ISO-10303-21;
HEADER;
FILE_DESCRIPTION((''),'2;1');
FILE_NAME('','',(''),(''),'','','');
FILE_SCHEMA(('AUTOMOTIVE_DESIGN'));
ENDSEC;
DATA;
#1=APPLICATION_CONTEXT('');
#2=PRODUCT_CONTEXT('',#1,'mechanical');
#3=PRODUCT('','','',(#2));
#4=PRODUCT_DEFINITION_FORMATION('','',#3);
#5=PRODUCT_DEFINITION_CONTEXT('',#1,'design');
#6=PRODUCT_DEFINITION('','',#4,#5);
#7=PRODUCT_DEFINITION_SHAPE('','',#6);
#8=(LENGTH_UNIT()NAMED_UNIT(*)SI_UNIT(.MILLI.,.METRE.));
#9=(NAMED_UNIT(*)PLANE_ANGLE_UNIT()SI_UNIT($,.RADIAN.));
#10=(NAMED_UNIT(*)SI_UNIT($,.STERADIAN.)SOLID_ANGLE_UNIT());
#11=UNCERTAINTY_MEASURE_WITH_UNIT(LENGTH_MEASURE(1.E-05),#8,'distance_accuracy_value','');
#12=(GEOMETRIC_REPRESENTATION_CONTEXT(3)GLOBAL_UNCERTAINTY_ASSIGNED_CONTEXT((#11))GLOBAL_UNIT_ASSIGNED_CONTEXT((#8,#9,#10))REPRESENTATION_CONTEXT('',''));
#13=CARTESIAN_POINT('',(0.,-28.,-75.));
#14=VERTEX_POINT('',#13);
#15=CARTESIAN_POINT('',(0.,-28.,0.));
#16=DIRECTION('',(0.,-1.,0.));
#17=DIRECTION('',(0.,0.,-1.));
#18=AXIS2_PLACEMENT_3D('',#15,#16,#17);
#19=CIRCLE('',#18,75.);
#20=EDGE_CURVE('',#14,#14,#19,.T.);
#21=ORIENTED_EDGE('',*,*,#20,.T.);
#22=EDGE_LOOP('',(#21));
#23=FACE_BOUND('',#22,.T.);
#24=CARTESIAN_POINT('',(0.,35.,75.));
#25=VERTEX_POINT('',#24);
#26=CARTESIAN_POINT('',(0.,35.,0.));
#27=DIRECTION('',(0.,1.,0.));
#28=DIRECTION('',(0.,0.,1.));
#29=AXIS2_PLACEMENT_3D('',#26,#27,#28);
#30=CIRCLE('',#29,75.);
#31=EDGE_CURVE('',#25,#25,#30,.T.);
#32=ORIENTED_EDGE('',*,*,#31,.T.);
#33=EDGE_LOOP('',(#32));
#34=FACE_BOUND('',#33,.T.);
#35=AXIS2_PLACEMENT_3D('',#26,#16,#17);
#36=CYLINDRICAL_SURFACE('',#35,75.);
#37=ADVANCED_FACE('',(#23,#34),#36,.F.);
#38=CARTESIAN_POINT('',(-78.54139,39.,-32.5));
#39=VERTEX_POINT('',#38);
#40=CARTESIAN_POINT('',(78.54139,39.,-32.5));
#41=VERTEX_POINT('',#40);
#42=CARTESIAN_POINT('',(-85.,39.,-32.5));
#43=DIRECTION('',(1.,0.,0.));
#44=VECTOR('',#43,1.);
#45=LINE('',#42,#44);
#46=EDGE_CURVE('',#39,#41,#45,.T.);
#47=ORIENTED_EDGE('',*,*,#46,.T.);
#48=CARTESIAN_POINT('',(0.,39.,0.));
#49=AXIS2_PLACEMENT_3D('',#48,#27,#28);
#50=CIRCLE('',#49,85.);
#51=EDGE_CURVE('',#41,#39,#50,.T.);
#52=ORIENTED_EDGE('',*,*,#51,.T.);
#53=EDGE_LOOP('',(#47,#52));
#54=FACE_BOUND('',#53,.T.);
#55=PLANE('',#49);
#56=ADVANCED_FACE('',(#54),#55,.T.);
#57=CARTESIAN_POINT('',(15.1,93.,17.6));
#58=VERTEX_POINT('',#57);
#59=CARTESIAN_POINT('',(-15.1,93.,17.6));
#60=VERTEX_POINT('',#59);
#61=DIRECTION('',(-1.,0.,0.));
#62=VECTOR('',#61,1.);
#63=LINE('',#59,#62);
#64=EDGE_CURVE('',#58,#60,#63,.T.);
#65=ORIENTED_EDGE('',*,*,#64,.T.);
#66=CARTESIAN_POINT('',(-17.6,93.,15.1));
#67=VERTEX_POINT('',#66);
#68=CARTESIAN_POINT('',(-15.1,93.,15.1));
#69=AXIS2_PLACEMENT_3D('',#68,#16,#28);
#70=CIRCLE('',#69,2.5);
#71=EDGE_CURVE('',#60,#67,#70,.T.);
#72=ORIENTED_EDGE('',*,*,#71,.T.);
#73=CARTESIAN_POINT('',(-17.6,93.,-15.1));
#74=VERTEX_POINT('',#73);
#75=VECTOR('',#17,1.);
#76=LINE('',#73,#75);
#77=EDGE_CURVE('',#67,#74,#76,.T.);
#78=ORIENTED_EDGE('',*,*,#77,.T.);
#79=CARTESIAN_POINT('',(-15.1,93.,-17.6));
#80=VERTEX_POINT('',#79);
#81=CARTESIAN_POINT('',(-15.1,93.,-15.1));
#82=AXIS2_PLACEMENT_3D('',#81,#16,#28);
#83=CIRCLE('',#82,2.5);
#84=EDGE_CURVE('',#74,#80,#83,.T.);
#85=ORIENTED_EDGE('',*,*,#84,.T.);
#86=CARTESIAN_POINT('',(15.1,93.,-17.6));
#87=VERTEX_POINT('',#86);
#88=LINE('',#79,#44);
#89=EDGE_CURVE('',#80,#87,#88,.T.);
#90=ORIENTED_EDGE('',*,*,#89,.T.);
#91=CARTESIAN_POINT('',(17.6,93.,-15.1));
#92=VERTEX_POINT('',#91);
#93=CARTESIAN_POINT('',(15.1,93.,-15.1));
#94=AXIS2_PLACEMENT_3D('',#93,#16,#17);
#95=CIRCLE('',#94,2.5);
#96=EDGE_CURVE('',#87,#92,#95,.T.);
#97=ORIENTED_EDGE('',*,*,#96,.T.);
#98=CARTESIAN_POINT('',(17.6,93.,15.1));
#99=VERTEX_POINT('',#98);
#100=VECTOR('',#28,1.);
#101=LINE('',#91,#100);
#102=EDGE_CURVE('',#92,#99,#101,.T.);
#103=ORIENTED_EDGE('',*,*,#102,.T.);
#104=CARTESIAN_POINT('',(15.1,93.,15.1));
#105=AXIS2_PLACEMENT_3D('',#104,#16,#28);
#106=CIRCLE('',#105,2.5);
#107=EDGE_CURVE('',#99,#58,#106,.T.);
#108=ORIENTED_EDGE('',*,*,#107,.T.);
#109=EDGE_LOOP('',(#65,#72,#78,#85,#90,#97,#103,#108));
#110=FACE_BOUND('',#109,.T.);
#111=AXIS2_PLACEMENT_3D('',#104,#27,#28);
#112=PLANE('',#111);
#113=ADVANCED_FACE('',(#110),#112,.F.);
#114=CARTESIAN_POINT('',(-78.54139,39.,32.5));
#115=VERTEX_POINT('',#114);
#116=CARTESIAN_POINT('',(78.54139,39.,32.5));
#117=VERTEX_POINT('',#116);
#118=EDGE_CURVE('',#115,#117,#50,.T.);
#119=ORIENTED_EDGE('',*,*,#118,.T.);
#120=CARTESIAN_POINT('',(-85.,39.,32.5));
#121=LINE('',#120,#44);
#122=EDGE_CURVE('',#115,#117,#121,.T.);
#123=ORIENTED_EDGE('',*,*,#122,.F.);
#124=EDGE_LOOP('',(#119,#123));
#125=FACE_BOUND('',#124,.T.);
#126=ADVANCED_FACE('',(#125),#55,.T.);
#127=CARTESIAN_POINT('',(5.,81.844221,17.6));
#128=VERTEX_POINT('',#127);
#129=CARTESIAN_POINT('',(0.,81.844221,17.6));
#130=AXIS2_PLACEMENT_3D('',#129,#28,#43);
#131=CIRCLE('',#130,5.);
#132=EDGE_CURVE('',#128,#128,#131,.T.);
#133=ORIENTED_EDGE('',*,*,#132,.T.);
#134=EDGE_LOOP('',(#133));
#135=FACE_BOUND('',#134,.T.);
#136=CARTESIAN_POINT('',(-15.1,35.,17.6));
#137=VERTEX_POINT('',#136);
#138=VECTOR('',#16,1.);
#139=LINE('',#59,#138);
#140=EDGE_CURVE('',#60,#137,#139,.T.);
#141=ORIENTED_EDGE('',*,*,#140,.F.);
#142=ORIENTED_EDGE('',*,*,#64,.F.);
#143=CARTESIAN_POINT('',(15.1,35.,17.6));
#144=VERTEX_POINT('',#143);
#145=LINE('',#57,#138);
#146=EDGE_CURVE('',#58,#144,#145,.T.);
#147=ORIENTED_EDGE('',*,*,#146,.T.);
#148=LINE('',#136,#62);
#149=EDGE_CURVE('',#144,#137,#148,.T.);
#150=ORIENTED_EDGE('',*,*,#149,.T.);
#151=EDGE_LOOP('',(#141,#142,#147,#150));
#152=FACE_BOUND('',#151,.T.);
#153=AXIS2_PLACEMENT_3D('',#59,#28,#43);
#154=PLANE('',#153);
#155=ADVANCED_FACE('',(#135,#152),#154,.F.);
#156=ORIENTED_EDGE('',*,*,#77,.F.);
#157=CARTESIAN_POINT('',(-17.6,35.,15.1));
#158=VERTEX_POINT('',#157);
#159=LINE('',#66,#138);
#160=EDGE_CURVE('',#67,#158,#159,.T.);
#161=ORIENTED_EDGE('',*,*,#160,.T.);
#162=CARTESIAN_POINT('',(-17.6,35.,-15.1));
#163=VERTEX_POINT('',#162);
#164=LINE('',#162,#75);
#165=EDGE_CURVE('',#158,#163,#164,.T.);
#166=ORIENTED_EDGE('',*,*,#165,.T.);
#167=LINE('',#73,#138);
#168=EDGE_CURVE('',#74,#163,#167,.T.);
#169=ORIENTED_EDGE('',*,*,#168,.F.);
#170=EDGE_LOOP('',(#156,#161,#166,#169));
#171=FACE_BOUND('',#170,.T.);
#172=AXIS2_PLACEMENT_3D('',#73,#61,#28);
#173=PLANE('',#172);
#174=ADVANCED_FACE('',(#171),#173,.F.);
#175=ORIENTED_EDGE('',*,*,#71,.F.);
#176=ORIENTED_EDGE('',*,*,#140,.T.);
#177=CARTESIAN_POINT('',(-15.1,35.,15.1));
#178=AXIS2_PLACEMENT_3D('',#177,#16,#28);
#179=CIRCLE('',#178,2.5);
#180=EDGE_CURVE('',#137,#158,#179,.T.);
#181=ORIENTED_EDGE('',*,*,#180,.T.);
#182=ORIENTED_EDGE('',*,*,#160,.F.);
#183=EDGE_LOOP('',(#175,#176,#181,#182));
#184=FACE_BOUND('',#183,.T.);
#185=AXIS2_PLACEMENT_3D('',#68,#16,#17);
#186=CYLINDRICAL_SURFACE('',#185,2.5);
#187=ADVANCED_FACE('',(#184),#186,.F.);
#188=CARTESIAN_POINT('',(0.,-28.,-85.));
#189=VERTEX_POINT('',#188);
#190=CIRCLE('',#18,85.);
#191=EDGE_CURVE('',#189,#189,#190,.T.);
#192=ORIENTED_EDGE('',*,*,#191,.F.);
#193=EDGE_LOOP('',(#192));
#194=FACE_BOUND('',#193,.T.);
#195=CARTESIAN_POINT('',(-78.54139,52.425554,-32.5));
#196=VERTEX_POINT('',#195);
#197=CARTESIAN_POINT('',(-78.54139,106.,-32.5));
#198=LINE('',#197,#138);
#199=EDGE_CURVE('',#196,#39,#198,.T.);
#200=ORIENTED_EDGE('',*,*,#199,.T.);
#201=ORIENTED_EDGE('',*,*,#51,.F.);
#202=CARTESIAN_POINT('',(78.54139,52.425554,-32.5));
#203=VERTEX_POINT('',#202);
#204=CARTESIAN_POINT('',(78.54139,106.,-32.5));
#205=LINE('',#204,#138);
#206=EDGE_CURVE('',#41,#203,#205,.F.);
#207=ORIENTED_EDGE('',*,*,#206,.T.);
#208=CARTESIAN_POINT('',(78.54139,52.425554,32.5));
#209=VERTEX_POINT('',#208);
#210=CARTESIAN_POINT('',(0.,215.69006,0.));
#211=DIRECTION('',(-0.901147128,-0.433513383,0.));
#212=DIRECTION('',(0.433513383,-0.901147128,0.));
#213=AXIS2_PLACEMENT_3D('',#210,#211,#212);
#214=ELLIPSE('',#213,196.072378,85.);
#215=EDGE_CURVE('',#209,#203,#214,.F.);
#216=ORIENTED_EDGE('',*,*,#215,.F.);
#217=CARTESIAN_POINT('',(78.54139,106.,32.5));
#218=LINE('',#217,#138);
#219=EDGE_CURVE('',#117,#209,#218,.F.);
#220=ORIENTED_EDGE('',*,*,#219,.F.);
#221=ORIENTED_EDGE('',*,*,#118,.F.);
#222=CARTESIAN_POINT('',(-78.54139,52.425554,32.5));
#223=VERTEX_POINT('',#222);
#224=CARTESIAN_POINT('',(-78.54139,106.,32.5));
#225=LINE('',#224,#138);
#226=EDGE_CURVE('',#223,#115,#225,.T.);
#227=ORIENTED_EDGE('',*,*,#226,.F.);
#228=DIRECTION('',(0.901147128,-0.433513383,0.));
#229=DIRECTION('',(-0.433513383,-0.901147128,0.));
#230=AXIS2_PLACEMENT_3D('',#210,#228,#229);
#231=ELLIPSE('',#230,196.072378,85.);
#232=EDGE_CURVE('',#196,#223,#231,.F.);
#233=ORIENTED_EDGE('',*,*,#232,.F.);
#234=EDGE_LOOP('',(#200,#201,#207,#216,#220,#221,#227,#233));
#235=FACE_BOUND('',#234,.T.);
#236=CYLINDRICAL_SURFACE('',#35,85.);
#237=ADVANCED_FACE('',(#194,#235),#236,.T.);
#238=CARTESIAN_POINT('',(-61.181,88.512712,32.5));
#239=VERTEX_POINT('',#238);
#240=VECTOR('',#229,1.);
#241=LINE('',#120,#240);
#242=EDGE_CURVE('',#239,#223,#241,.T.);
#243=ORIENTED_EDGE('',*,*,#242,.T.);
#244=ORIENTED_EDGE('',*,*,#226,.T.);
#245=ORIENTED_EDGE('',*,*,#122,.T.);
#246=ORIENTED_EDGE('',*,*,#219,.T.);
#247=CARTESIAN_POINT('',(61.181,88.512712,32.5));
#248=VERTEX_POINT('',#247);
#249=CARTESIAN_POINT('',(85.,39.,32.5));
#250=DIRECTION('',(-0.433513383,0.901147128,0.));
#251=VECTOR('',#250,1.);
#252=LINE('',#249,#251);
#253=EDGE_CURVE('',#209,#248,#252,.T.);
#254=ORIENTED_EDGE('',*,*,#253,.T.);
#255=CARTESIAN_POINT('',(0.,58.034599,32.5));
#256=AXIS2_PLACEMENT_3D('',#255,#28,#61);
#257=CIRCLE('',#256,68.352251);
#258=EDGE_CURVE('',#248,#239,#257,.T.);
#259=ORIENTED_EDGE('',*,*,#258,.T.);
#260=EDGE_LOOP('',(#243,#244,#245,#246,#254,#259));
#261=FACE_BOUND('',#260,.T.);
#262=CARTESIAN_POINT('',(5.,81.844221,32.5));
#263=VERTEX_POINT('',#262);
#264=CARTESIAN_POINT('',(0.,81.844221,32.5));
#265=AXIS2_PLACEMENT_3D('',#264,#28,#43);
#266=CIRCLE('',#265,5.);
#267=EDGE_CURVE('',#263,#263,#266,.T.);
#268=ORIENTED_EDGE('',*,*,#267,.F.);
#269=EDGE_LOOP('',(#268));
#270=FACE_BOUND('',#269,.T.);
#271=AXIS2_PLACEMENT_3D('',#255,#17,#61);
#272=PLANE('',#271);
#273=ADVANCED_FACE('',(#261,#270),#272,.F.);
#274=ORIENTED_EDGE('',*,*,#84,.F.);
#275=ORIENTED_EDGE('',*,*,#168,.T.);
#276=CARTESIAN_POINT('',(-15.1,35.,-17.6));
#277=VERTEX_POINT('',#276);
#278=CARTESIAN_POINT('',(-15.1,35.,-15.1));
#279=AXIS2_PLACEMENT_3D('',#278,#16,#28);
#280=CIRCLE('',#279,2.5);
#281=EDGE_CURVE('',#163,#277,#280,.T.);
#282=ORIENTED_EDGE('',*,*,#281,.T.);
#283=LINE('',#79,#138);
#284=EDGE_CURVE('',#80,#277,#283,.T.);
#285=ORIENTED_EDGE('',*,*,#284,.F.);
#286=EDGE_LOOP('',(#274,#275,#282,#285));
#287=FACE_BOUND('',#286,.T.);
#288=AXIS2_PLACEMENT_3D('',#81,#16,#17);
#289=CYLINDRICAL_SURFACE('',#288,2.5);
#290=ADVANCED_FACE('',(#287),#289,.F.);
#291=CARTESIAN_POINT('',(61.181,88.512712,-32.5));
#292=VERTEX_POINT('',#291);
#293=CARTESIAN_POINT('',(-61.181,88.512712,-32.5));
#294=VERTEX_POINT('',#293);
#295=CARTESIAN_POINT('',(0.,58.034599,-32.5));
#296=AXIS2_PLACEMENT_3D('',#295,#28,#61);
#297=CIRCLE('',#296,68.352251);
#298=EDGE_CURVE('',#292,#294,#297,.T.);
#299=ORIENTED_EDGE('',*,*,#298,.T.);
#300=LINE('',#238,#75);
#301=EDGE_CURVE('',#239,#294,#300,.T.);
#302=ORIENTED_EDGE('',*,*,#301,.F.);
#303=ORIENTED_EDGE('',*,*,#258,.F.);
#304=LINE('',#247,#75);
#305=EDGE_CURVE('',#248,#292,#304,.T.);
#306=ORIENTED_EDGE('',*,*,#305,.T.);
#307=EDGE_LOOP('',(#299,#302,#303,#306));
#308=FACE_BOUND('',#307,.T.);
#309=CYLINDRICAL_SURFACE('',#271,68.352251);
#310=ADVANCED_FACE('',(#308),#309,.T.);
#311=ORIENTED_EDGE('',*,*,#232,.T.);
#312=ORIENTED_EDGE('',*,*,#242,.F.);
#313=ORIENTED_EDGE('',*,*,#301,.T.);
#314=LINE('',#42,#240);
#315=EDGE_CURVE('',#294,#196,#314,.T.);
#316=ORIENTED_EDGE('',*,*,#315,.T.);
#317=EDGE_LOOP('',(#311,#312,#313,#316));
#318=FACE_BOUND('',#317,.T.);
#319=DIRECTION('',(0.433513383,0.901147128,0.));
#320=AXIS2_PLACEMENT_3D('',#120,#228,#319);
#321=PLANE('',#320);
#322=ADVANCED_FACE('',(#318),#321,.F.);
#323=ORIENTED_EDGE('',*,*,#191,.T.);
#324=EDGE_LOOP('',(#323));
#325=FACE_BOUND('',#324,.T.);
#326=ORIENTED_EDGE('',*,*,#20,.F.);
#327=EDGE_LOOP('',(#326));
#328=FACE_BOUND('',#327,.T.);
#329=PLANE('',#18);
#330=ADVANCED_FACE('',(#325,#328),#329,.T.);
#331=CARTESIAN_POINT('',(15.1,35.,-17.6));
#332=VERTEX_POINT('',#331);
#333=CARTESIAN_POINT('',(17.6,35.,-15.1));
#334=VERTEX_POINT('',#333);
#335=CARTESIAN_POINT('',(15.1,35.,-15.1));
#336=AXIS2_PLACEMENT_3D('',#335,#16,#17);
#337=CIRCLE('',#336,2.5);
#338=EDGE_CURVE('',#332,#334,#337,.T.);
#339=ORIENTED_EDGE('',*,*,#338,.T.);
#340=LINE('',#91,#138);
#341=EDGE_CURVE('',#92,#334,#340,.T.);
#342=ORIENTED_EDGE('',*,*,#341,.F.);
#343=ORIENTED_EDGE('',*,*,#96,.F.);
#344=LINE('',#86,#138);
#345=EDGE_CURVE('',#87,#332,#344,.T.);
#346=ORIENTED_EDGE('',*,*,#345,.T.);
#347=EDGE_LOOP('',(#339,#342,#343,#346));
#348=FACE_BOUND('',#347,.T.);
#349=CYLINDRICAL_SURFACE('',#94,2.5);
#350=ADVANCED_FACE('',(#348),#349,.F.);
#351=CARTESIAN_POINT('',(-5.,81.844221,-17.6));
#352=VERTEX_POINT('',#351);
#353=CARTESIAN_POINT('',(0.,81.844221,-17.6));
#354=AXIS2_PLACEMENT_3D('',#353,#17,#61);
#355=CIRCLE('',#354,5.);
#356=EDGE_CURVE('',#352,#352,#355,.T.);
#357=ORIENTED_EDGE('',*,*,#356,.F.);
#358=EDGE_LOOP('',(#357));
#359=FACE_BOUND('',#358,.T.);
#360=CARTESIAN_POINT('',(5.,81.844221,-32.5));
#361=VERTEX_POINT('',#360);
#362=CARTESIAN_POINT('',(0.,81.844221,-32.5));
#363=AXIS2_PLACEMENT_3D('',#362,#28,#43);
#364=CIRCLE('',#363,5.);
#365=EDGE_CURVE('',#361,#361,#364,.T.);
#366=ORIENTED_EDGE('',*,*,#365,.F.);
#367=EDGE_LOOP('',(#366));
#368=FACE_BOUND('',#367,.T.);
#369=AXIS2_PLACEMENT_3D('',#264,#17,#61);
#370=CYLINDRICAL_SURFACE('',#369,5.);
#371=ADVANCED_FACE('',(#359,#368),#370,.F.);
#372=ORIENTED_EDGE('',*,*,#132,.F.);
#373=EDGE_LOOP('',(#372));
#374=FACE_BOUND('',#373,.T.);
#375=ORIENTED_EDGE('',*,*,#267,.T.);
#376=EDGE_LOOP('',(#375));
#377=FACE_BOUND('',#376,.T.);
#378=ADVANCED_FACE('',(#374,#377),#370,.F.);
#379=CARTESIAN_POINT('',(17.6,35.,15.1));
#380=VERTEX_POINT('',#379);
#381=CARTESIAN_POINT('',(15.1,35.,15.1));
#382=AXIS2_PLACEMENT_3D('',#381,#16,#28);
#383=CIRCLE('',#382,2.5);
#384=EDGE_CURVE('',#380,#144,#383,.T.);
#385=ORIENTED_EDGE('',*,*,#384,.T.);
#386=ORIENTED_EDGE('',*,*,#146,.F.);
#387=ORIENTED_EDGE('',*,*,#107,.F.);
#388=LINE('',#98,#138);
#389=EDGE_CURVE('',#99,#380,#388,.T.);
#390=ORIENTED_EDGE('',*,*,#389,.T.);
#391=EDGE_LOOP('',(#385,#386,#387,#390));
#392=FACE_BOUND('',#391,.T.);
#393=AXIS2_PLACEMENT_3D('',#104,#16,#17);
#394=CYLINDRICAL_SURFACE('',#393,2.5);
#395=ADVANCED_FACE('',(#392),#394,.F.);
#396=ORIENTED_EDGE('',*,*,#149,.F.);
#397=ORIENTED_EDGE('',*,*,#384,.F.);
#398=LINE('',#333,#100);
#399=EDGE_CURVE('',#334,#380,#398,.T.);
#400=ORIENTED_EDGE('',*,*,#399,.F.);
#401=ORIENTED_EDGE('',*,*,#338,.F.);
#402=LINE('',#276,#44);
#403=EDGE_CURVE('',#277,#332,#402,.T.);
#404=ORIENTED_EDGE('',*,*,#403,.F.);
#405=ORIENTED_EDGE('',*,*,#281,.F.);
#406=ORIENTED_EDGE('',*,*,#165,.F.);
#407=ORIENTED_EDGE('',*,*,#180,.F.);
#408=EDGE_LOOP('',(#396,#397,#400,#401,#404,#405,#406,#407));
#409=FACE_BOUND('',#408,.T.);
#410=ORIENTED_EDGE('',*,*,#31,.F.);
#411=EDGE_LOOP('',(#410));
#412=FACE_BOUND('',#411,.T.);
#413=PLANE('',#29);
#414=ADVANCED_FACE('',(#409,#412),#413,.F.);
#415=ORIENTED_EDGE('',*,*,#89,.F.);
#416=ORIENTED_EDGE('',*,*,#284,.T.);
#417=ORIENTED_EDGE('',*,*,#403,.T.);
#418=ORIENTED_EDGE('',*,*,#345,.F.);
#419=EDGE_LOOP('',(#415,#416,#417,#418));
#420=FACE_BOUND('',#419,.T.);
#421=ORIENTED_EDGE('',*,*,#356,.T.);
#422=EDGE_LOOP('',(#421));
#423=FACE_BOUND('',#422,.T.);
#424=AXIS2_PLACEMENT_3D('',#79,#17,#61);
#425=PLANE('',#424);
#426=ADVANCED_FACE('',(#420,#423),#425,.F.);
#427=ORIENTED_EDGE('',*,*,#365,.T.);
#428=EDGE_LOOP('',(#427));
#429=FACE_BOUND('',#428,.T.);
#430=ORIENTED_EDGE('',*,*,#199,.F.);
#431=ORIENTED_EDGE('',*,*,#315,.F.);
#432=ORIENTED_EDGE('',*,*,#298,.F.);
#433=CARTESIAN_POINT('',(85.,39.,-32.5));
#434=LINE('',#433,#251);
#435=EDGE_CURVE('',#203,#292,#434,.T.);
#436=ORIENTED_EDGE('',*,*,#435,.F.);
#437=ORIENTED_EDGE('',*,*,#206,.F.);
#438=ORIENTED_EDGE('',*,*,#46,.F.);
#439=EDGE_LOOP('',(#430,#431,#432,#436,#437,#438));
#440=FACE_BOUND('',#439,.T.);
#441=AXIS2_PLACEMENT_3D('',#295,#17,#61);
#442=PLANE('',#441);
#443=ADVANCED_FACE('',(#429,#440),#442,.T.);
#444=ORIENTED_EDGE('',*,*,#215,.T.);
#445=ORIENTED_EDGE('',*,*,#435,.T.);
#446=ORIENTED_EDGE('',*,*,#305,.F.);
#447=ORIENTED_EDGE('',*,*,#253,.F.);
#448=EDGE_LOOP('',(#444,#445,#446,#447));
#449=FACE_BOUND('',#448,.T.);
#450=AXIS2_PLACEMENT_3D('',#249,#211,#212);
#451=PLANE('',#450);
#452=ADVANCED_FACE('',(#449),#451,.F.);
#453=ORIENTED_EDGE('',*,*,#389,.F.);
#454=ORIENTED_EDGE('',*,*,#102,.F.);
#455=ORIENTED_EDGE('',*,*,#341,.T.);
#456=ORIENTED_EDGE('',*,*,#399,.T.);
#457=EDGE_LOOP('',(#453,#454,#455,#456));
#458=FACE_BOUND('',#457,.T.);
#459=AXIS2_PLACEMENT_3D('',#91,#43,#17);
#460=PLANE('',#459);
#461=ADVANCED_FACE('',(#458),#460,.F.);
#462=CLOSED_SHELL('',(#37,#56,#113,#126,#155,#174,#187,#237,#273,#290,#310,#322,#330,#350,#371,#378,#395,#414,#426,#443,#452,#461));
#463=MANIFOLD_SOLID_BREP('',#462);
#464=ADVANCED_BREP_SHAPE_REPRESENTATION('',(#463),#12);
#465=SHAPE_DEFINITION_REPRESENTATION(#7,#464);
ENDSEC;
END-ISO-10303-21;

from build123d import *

# Parameters (mm, degrees)
SKETCH1_R           = 85
SKETCH1_R_2         = 75
BOSS_EXTRUDE1_DEPTH = 35
SKETCH2_R           = 85
BOSS_EXTRUDE2_DEPTH = 4
SKETCH3_R           = 5
BOSS_EXTRUDE3_DEPTH = 32.5
SKETCH4_R           = 95.738737625
SKETCH4_R_2         = 85
CUT_EXTRUDE1_DEPTH  = 67
CUT_EXTRUDE2_DEPTH  = 58
SKETCH6_R           = 85
SKETCH6_R_2         = 75
BOSS_EXTRUDE4_DEPTH = 28


with BuildPart() as part:
    # Sketch1 → Boss-Extrude1 (new body)
    with BuildSketch(Plane(origin=(0, 0, 0), x_dir=(1, 0, 0), z_dir=(0, 1, 0))):
        Circle(SKETCH1_R)
        Circle(SKETCH1_R_2, mode=Mode.SUBTRACT)
    extrude(amount=BOSS_EXTRUDE1_DEPTH)

    # Sketch2 → Boss-Extrude2 (add)
    with BuildSketch(Plane(origin=(0, 35, 0), x_dir=(1, 0, 0), z_dir=(0, 1, 0))):
        Circle(SKETCH2_R)
    extrude(amount=BOSS_EXTRUDE2_DEPTH)

    # Sketch3 → Boss-Extrude3 (add, symmetric)
    with BuildSketch(Plane.XY):
        with BuildLine():
            Line((-85, 39), (-61.181000395, 88.51271152))
            ThreePointArc((-61.181000395, 88.51271152), (0, 126.386849251), (61.181000395, 88.51271152))
            Line((61.181000395, 88.51271152), (85, 39))
            Line((85, 39), (-85, 39))
        make_face()
        with Locations((0, 81.844221237)):
            Circle(SKETCH3_R, mode=Mode.SUBTRACT)
    extrude(amount=BOSS_EXTRUDE3_DEPTH, both=True)

    # Sketch4 → Cut-Extrude1 (cut)
    with BuildSketch(Plane(origin=(0, 39, 0), x_dir=(1, 0, 0), z_dir=(0, 1, 0))):
        Circle(SKETCH4_R)
        Circle(SKETCH4_R_2, mode=Mode.SUBTRACT)
    extrude(amount=CUT_EXTRUDE1_DEPTH, mode=Mode.SUBTRACT)

    # Sketch5 → Cut-Extrude2 (cut)
    with BuildSketch(Plane.XZ.offset(-35)):
        with BuildLine():
            Line((-15.1, -17.6), (15.1, -17.6))
            ThreePointArc((15.1, -17.6), (16.867766953, -16.867766953), (17.6, -15.1))
            Line((17.6, -15.1), (17.6, 15.1))
            ThreePointArc((17.6, 15.1), (16.867766953, 16.867766953), (15.1, 17.6))
            Line((15.1, 17.6), (-15.1, 17.6))
            ThreePointArc((-15.1, 17.6), (-16.867766953, 16.867766953), (-17.6, 15.1))
            Line((-17.6, 15.1), (-17.6, -15.1))
            ThreePointArc((-17.6, -15.1), (-16.867766953, -16.867766953), (-15.1, -17.6))
        make_face()
    extrude(amount=-CUT_EXTRUDE2_DEPTH, mode=Mode.SUBTRACT)

    # Sketch6 → Boss-Extrude4 (add)
    with BuildSketch(Plane.XZ):
        Circle(SKETCH6_R)
        Circle(SKETCH6_R_2, mode=Mode.SUBTRACT)
    extrude(amount=BOSS_EXTRUDE4_DEPTH)


solid = part.part
